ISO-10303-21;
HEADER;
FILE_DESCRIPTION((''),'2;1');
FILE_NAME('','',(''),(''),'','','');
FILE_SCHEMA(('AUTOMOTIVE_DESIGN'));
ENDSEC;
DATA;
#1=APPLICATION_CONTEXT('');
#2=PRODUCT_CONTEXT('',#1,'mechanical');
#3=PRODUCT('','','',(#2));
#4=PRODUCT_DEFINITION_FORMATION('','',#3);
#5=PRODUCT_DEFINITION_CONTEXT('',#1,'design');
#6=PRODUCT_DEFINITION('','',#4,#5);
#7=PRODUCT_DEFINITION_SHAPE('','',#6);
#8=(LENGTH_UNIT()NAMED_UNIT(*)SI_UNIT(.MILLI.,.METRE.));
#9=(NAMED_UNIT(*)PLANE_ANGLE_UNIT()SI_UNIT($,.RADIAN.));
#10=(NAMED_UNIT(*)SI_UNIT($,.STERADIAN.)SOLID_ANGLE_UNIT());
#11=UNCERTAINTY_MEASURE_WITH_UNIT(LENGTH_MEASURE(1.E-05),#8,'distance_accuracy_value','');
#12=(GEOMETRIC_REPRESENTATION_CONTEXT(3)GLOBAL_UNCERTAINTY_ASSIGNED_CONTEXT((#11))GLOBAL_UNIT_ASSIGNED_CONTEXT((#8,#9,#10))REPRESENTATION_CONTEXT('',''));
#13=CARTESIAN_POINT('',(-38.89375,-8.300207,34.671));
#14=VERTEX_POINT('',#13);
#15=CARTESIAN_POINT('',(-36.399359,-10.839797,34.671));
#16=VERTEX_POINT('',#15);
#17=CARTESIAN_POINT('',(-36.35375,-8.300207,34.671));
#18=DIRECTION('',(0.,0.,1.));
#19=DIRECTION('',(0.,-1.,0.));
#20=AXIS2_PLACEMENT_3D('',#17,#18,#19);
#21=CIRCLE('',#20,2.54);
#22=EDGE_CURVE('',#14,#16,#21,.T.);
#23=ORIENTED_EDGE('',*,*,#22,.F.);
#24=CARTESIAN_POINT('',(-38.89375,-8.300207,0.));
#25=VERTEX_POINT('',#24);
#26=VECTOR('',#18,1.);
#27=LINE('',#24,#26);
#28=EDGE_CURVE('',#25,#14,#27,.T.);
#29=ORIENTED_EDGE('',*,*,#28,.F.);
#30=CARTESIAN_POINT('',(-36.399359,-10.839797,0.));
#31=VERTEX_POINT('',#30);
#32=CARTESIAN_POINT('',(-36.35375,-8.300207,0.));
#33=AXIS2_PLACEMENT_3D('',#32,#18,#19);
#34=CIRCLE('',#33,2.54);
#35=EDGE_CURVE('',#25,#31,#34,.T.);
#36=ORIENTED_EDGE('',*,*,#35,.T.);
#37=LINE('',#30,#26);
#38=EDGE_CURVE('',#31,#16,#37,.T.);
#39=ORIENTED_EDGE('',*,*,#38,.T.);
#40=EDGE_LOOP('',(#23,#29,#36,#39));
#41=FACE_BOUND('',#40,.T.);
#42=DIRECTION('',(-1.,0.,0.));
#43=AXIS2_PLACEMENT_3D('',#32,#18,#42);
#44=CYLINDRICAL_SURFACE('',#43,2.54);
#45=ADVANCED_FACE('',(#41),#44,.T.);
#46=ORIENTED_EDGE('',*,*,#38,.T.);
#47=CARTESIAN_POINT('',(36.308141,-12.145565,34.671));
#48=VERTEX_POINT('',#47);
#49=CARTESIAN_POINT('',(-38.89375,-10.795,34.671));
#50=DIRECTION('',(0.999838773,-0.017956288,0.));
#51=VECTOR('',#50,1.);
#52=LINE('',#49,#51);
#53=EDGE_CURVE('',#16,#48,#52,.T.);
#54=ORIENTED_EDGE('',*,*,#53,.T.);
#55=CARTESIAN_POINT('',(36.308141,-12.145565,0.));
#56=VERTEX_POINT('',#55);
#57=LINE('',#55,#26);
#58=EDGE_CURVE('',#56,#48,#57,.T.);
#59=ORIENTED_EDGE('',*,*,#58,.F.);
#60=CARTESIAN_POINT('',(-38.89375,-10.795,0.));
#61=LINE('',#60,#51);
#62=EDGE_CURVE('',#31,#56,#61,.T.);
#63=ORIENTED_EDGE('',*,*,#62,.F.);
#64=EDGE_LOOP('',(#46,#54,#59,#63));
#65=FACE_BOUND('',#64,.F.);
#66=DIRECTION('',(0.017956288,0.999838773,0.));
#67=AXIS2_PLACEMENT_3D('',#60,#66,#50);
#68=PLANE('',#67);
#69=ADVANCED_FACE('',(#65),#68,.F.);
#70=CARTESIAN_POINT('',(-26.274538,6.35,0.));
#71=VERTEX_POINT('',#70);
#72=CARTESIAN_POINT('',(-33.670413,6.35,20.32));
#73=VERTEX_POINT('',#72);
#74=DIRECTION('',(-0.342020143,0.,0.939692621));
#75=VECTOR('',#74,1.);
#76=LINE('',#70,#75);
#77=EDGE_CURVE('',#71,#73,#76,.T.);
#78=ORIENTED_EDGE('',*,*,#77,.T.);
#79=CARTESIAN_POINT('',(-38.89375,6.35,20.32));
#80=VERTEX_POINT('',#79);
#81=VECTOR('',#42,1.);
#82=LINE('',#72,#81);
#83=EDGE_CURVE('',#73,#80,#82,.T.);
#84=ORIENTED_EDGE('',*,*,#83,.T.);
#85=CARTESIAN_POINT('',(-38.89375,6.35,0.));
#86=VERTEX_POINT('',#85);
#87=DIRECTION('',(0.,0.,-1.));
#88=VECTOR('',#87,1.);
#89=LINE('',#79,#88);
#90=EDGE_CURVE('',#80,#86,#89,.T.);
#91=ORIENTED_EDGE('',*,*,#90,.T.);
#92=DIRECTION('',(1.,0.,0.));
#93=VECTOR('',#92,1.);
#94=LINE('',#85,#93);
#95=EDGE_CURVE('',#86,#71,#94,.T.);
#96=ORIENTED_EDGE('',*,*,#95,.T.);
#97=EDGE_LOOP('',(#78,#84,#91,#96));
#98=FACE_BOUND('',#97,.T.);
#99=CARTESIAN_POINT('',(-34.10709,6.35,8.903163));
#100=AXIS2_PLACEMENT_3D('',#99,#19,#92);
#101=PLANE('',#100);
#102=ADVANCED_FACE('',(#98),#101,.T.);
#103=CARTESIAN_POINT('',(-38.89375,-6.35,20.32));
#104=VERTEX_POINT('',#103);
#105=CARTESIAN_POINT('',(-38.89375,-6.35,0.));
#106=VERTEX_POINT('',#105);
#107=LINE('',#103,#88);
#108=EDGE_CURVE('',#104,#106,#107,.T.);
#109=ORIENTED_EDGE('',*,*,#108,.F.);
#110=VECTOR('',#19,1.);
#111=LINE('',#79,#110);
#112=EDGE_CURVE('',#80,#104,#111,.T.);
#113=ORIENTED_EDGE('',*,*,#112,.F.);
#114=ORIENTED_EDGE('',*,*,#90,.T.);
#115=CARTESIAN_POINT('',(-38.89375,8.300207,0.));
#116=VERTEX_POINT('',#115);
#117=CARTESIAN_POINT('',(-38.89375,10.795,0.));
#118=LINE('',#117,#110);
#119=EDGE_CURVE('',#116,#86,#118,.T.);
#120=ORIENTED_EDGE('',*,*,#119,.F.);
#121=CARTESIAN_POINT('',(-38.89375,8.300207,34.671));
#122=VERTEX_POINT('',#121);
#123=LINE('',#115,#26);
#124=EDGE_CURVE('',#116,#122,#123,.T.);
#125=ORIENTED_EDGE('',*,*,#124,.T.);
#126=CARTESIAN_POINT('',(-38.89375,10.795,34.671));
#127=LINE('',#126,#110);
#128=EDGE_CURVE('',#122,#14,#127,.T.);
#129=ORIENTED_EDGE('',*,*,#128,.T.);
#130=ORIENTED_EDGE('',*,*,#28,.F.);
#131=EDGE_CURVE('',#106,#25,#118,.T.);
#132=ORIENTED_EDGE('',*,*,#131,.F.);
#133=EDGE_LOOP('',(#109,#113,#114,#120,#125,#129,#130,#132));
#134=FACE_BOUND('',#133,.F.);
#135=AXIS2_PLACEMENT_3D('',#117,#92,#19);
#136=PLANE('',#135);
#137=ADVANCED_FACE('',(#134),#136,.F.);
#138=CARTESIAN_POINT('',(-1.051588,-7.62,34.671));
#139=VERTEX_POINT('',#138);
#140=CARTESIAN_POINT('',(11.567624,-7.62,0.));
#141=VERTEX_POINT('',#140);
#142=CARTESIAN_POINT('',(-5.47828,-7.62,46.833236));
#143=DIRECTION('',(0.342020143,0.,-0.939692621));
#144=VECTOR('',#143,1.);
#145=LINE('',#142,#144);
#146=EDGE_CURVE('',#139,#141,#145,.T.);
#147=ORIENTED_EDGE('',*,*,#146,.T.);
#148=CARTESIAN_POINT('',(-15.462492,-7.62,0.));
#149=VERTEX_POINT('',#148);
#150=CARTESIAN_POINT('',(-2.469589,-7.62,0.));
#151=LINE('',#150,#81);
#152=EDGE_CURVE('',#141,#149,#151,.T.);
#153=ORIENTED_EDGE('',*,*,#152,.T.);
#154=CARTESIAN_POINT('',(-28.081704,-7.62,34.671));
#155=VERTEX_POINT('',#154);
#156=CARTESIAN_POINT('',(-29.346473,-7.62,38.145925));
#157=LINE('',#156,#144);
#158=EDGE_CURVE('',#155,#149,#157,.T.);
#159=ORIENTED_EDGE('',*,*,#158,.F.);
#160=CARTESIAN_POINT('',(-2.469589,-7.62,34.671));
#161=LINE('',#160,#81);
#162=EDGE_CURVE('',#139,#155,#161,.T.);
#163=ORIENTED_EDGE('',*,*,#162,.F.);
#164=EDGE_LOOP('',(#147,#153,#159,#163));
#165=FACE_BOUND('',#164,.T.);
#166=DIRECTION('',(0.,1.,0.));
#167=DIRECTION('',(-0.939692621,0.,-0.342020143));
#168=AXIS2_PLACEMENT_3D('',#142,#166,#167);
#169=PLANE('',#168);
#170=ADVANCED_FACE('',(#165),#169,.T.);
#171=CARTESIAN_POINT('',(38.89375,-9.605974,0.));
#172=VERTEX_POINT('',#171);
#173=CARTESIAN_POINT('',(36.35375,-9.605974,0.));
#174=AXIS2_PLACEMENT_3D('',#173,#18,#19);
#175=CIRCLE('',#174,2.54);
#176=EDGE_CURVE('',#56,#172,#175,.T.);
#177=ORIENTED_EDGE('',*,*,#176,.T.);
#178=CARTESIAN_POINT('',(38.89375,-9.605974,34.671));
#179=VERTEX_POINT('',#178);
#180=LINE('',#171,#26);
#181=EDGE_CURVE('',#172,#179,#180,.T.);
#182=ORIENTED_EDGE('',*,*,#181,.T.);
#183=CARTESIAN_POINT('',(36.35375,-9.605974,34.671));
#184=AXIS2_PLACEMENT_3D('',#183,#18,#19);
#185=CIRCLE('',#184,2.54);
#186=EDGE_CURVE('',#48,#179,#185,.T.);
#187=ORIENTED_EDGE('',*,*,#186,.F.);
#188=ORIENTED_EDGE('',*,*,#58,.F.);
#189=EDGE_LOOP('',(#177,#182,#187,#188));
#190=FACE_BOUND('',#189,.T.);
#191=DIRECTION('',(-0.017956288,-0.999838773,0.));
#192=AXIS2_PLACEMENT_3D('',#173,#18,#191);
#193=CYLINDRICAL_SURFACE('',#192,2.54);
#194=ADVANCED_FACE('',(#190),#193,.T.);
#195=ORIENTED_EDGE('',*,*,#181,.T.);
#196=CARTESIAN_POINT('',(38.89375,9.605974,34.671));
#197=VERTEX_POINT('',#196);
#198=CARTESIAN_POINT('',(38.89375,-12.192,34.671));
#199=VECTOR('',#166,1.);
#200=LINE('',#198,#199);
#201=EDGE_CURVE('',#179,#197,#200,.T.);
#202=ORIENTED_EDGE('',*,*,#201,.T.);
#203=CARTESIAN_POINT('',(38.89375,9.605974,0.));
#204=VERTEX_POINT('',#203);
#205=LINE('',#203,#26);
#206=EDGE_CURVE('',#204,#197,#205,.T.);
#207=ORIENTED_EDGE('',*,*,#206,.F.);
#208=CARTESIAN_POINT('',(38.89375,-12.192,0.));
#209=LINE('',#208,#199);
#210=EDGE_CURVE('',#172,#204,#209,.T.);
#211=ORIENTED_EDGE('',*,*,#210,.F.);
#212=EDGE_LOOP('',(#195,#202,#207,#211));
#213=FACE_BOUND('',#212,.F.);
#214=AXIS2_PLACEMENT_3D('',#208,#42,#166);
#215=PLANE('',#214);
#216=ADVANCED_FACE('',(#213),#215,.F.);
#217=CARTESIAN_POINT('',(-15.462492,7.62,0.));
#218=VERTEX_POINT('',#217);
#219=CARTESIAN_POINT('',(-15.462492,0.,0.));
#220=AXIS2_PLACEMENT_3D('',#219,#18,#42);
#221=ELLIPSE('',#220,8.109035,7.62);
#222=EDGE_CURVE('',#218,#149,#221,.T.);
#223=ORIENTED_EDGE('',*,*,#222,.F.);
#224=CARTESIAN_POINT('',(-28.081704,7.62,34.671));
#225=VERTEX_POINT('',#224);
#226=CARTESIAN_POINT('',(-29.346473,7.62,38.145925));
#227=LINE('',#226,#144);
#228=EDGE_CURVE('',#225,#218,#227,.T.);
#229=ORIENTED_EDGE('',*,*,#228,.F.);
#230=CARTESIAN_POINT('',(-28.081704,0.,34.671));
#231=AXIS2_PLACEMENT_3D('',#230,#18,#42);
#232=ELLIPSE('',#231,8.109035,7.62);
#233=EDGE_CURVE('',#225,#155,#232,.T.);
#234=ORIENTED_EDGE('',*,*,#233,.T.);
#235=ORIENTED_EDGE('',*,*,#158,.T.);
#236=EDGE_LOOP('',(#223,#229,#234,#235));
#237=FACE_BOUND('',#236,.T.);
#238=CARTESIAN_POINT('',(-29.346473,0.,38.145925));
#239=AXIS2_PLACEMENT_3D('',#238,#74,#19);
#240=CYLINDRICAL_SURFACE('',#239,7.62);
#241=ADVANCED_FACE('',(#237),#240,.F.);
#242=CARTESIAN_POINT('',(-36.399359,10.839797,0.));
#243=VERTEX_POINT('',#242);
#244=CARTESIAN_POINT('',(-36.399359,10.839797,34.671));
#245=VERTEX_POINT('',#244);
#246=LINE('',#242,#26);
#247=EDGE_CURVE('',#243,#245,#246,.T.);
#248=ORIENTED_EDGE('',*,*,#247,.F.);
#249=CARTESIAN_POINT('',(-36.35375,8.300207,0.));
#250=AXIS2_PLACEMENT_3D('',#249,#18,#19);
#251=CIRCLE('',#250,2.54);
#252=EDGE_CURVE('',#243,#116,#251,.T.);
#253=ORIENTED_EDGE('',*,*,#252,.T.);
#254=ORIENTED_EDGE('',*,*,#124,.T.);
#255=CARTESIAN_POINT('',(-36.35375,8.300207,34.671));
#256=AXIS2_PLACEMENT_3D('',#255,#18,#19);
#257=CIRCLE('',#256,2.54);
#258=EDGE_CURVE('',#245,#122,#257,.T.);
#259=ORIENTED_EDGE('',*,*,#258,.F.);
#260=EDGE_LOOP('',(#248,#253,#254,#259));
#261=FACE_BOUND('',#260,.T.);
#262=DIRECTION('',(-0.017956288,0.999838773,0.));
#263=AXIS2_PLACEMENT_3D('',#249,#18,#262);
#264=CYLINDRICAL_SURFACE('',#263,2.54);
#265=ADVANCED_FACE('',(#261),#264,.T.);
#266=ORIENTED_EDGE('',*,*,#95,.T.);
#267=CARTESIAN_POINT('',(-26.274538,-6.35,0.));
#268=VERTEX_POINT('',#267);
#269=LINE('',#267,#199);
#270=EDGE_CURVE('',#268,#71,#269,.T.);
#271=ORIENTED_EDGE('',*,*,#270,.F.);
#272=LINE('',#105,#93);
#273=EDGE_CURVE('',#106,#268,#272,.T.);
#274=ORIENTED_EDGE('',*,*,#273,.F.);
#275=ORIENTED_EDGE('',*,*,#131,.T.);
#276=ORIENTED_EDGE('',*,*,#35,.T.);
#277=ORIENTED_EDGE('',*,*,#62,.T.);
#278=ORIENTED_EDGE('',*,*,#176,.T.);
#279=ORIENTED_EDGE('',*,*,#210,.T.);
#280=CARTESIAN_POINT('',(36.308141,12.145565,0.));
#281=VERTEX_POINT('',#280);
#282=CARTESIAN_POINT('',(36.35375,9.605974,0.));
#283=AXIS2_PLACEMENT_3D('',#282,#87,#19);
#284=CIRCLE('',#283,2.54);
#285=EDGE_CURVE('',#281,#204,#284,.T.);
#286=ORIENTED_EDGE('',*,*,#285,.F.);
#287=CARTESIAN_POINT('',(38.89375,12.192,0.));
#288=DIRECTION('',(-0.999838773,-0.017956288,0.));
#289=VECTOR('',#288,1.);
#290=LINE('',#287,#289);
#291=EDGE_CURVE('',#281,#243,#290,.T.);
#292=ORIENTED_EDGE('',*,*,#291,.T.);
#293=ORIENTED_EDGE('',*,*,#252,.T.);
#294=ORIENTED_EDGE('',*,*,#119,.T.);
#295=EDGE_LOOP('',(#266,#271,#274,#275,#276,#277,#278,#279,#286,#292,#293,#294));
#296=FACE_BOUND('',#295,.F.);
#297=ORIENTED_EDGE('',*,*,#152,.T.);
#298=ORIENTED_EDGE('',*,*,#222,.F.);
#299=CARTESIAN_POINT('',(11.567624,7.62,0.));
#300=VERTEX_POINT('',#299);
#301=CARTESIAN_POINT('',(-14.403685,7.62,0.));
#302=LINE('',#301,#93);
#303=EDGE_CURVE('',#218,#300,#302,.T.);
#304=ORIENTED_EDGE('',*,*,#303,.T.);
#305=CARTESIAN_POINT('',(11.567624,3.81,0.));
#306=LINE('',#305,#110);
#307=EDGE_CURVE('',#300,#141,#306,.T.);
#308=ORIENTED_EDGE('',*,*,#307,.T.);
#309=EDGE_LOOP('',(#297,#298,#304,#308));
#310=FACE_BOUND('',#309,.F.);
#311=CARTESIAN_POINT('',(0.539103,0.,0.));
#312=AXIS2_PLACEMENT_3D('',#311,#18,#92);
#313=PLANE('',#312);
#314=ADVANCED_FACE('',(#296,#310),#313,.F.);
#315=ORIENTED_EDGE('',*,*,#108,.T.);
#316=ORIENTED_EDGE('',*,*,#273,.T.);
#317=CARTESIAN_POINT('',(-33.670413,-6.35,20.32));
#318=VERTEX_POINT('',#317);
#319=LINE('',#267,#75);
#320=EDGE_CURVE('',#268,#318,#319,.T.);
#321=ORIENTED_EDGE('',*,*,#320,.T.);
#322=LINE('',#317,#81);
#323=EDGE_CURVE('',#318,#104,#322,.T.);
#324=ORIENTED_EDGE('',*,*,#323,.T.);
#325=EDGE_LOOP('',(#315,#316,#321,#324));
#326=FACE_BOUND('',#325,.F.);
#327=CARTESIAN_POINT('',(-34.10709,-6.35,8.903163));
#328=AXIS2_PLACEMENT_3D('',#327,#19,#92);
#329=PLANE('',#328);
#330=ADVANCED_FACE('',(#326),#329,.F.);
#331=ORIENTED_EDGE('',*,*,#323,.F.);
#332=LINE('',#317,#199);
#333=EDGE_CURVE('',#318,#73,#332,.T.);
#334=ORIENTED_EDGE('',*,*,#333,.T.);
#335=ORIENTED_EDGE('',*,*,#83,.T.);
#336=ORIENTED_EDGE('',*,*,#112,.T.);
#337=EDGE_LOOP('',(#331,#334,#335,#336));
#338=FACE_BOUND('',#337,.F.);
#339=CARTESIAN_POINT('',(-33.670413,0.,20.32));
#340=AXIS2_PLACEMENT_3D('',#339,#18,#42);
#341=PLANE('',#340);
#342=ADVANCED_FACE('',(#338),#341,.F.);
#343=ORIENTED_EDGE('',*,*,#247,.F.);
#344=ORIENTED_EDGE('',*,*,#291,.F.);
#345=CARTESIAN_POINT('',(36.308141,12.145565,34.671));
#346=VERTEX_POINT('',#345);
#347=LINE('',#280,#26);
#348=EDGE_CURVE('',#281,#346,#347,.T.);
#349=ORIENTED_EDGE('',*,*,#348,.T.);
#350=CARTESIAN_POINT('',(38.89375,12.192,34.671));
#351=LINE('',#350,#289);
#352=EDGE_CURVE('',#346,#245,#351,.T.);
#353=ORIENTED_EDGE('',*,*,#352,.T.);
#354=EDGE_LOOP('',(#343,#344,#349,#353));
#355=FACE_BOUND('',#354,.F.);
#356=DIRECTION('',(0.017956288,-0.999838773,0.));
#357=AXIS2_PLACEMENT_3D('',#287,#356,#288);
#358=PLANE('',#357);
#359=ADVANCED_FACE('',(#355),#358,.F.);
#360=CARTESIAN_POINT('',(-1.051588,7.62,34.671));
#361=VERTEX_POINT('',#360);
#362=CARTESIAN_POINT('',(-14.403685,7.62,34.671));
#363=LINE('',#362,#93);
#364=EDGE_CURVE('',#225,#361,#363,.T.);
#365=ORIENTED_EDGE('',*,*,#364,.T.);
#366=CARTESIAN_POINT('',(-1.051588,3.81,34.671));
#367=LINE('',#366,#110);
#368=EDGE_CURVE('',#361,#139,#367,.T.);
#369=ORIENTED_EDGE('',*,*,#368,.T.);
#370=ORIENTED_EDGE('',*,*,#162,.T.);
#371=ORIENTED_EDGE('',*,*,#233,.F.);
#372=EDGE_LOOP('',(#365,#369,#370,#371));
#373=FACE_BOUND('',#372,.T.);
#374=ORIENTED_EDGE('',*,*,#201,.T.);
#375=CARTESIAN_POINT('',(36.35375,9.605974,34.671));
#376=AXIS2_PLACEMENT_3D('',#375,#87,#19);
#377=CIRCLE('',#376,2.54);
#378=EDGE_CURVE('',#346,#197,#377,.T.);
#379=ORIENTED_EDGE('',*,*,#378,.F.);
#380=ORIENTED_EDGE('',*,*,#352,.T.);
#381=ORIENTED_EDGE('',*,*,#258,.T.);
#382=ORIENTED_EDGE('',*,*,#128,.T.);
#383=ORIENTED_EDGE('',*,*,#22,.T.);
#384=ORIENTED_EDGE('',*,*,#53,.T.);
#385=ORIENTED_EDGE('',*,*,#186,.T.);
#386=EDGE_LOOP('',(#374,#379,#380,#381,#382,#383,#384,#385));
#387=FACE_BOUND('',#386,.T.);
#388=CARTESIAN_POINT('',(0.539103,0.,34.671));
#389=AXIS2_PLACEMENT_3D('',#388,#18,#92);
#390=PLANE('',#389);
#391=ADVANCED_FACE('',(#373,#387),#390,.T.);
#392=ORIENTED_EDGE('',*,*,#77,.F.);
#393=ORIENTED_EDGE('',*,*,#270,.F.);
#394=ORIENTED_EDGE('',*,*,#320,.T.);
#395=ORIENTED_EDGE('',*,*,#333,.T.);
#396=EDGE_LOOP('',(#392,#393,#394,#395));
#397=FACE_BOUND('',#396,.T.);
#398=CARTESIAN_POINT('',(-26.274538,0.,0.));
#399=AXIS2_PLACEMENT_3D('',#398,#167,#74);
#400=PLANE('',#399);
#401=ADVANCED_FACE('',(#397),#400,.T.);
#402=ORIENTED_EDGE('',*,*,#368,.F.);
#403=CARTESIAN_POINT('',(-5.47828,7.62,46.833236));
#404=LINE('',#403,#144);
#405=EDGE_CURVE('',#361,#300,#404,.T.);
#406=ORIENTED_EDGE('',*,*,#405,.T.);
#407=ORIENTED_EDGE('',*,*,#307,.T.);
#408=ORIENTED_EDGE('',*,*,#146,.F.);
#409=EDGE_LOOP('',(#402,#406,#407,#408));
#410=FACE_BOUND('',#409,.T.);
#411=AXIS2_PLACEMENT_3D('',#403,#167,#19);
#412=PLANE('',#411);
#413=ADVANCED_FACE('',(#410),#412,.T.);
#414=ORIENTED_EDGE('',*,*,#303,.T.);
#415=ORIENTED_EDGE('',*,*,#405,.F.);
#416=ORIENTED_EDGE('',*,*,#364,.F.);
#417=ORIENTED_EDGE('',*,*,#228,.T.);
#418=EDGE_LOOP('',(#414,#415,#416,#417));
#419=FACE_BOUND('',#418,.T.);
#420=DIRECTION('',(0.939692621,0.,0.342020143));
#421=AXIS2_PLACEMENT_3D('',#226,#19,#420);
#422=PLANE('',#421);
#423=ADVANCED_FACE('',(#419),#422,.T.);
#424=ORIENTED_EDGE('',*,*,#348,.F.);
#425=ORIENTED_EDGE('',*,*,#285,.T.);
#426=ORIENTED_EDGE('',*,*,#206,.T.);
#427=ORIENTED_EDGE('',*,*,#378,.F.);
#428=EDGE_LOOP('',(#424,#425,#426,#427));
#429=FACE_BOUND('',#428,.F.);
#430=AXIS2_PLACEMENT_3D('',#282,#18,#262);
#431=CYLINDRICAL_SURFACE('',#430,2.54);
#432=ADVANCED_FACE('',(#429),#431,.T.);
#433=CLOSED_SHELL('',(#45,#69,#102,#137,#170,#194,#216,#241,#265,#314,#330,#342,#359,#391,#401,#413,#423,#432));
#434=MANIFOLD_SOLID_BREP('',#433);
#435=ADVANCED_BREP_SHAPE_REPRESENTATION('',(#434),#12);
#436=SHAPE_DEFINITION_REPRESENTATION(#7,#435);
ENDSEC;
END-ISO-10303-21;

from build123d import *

# Parameters (mm, degrees)
F1_DEPTH      = 34.671
F2_R          = 2.54
F5_DEPTH      = 59.1859747542
F7_DEPTH      = 6.35
F7_DEPTH_BACK = 6.35


with BuildPart() as f1:
    # F0 (on Top) → F1 (new body)
    with BuildSketch(Plane.XY):
        Polygon((38.89375, 12.192), (-38.89375, 10.795), (-38.89375, -10.795), (38.89375, -12.192), align=None)
    extrude(amount=F1_DEPTH)

    # F2
    f2_edges = [f1.edges().sort_by_distance(p)[0] for p in [
        (-38.89375, -10.795, 17.3355),
        (-38.89375, 10.795, 17.3355),
        (38.89375, -12.192, 17.3355),
        (38.89375, 12.192, 17.3355),
    ]]
    fillet(f2_edges, radius=F2_R)

    # F4 (on face) → F5 (cut, through all)
    with BuildSketch(Plane(origin=(-15.6927490779, 0, 43.1154737408), x_dir=(0.9396926208, 0, 0.3420201433), z_dir=(0.3420201433, 0, -0.9396926208))):
        with BuildLine():
            Line((10.8700105196, 7.62), (-14.5299894804, 7.62))
            ThreePointArc((-14.5299894804, 7.62), (-22.1499894804, 0), (-14.5299894804, -7.62))
            Line((-14.5299894804, -7.62), (10.8700105196, -7.62))
            Line((10.8700105196, -7.62), (10.8700105196, 7.62))
        make_face()
    extrude(amount=F5_DEPTH, mode=Mode.SUBTRACT)

    # F6 (on Front) → F7 (cut, two sides)
    with BuildSketch(Plane.XZ) as f7_sk:
        Polygon((-36.3993589719, 0), (-26.2745380078, 0), (-33.670413168, 20.32), (-38.89375, 20.32), (-38.89375, 0), align=None)
    extrude(amount=-F7_DEPTH, mode=Mode.SUBTRACT)
    extrude(f7_sk.sketch, amount=F7_DEPTH_BACK, mode=Mode.SUBTRACT)


solid = f1.part
